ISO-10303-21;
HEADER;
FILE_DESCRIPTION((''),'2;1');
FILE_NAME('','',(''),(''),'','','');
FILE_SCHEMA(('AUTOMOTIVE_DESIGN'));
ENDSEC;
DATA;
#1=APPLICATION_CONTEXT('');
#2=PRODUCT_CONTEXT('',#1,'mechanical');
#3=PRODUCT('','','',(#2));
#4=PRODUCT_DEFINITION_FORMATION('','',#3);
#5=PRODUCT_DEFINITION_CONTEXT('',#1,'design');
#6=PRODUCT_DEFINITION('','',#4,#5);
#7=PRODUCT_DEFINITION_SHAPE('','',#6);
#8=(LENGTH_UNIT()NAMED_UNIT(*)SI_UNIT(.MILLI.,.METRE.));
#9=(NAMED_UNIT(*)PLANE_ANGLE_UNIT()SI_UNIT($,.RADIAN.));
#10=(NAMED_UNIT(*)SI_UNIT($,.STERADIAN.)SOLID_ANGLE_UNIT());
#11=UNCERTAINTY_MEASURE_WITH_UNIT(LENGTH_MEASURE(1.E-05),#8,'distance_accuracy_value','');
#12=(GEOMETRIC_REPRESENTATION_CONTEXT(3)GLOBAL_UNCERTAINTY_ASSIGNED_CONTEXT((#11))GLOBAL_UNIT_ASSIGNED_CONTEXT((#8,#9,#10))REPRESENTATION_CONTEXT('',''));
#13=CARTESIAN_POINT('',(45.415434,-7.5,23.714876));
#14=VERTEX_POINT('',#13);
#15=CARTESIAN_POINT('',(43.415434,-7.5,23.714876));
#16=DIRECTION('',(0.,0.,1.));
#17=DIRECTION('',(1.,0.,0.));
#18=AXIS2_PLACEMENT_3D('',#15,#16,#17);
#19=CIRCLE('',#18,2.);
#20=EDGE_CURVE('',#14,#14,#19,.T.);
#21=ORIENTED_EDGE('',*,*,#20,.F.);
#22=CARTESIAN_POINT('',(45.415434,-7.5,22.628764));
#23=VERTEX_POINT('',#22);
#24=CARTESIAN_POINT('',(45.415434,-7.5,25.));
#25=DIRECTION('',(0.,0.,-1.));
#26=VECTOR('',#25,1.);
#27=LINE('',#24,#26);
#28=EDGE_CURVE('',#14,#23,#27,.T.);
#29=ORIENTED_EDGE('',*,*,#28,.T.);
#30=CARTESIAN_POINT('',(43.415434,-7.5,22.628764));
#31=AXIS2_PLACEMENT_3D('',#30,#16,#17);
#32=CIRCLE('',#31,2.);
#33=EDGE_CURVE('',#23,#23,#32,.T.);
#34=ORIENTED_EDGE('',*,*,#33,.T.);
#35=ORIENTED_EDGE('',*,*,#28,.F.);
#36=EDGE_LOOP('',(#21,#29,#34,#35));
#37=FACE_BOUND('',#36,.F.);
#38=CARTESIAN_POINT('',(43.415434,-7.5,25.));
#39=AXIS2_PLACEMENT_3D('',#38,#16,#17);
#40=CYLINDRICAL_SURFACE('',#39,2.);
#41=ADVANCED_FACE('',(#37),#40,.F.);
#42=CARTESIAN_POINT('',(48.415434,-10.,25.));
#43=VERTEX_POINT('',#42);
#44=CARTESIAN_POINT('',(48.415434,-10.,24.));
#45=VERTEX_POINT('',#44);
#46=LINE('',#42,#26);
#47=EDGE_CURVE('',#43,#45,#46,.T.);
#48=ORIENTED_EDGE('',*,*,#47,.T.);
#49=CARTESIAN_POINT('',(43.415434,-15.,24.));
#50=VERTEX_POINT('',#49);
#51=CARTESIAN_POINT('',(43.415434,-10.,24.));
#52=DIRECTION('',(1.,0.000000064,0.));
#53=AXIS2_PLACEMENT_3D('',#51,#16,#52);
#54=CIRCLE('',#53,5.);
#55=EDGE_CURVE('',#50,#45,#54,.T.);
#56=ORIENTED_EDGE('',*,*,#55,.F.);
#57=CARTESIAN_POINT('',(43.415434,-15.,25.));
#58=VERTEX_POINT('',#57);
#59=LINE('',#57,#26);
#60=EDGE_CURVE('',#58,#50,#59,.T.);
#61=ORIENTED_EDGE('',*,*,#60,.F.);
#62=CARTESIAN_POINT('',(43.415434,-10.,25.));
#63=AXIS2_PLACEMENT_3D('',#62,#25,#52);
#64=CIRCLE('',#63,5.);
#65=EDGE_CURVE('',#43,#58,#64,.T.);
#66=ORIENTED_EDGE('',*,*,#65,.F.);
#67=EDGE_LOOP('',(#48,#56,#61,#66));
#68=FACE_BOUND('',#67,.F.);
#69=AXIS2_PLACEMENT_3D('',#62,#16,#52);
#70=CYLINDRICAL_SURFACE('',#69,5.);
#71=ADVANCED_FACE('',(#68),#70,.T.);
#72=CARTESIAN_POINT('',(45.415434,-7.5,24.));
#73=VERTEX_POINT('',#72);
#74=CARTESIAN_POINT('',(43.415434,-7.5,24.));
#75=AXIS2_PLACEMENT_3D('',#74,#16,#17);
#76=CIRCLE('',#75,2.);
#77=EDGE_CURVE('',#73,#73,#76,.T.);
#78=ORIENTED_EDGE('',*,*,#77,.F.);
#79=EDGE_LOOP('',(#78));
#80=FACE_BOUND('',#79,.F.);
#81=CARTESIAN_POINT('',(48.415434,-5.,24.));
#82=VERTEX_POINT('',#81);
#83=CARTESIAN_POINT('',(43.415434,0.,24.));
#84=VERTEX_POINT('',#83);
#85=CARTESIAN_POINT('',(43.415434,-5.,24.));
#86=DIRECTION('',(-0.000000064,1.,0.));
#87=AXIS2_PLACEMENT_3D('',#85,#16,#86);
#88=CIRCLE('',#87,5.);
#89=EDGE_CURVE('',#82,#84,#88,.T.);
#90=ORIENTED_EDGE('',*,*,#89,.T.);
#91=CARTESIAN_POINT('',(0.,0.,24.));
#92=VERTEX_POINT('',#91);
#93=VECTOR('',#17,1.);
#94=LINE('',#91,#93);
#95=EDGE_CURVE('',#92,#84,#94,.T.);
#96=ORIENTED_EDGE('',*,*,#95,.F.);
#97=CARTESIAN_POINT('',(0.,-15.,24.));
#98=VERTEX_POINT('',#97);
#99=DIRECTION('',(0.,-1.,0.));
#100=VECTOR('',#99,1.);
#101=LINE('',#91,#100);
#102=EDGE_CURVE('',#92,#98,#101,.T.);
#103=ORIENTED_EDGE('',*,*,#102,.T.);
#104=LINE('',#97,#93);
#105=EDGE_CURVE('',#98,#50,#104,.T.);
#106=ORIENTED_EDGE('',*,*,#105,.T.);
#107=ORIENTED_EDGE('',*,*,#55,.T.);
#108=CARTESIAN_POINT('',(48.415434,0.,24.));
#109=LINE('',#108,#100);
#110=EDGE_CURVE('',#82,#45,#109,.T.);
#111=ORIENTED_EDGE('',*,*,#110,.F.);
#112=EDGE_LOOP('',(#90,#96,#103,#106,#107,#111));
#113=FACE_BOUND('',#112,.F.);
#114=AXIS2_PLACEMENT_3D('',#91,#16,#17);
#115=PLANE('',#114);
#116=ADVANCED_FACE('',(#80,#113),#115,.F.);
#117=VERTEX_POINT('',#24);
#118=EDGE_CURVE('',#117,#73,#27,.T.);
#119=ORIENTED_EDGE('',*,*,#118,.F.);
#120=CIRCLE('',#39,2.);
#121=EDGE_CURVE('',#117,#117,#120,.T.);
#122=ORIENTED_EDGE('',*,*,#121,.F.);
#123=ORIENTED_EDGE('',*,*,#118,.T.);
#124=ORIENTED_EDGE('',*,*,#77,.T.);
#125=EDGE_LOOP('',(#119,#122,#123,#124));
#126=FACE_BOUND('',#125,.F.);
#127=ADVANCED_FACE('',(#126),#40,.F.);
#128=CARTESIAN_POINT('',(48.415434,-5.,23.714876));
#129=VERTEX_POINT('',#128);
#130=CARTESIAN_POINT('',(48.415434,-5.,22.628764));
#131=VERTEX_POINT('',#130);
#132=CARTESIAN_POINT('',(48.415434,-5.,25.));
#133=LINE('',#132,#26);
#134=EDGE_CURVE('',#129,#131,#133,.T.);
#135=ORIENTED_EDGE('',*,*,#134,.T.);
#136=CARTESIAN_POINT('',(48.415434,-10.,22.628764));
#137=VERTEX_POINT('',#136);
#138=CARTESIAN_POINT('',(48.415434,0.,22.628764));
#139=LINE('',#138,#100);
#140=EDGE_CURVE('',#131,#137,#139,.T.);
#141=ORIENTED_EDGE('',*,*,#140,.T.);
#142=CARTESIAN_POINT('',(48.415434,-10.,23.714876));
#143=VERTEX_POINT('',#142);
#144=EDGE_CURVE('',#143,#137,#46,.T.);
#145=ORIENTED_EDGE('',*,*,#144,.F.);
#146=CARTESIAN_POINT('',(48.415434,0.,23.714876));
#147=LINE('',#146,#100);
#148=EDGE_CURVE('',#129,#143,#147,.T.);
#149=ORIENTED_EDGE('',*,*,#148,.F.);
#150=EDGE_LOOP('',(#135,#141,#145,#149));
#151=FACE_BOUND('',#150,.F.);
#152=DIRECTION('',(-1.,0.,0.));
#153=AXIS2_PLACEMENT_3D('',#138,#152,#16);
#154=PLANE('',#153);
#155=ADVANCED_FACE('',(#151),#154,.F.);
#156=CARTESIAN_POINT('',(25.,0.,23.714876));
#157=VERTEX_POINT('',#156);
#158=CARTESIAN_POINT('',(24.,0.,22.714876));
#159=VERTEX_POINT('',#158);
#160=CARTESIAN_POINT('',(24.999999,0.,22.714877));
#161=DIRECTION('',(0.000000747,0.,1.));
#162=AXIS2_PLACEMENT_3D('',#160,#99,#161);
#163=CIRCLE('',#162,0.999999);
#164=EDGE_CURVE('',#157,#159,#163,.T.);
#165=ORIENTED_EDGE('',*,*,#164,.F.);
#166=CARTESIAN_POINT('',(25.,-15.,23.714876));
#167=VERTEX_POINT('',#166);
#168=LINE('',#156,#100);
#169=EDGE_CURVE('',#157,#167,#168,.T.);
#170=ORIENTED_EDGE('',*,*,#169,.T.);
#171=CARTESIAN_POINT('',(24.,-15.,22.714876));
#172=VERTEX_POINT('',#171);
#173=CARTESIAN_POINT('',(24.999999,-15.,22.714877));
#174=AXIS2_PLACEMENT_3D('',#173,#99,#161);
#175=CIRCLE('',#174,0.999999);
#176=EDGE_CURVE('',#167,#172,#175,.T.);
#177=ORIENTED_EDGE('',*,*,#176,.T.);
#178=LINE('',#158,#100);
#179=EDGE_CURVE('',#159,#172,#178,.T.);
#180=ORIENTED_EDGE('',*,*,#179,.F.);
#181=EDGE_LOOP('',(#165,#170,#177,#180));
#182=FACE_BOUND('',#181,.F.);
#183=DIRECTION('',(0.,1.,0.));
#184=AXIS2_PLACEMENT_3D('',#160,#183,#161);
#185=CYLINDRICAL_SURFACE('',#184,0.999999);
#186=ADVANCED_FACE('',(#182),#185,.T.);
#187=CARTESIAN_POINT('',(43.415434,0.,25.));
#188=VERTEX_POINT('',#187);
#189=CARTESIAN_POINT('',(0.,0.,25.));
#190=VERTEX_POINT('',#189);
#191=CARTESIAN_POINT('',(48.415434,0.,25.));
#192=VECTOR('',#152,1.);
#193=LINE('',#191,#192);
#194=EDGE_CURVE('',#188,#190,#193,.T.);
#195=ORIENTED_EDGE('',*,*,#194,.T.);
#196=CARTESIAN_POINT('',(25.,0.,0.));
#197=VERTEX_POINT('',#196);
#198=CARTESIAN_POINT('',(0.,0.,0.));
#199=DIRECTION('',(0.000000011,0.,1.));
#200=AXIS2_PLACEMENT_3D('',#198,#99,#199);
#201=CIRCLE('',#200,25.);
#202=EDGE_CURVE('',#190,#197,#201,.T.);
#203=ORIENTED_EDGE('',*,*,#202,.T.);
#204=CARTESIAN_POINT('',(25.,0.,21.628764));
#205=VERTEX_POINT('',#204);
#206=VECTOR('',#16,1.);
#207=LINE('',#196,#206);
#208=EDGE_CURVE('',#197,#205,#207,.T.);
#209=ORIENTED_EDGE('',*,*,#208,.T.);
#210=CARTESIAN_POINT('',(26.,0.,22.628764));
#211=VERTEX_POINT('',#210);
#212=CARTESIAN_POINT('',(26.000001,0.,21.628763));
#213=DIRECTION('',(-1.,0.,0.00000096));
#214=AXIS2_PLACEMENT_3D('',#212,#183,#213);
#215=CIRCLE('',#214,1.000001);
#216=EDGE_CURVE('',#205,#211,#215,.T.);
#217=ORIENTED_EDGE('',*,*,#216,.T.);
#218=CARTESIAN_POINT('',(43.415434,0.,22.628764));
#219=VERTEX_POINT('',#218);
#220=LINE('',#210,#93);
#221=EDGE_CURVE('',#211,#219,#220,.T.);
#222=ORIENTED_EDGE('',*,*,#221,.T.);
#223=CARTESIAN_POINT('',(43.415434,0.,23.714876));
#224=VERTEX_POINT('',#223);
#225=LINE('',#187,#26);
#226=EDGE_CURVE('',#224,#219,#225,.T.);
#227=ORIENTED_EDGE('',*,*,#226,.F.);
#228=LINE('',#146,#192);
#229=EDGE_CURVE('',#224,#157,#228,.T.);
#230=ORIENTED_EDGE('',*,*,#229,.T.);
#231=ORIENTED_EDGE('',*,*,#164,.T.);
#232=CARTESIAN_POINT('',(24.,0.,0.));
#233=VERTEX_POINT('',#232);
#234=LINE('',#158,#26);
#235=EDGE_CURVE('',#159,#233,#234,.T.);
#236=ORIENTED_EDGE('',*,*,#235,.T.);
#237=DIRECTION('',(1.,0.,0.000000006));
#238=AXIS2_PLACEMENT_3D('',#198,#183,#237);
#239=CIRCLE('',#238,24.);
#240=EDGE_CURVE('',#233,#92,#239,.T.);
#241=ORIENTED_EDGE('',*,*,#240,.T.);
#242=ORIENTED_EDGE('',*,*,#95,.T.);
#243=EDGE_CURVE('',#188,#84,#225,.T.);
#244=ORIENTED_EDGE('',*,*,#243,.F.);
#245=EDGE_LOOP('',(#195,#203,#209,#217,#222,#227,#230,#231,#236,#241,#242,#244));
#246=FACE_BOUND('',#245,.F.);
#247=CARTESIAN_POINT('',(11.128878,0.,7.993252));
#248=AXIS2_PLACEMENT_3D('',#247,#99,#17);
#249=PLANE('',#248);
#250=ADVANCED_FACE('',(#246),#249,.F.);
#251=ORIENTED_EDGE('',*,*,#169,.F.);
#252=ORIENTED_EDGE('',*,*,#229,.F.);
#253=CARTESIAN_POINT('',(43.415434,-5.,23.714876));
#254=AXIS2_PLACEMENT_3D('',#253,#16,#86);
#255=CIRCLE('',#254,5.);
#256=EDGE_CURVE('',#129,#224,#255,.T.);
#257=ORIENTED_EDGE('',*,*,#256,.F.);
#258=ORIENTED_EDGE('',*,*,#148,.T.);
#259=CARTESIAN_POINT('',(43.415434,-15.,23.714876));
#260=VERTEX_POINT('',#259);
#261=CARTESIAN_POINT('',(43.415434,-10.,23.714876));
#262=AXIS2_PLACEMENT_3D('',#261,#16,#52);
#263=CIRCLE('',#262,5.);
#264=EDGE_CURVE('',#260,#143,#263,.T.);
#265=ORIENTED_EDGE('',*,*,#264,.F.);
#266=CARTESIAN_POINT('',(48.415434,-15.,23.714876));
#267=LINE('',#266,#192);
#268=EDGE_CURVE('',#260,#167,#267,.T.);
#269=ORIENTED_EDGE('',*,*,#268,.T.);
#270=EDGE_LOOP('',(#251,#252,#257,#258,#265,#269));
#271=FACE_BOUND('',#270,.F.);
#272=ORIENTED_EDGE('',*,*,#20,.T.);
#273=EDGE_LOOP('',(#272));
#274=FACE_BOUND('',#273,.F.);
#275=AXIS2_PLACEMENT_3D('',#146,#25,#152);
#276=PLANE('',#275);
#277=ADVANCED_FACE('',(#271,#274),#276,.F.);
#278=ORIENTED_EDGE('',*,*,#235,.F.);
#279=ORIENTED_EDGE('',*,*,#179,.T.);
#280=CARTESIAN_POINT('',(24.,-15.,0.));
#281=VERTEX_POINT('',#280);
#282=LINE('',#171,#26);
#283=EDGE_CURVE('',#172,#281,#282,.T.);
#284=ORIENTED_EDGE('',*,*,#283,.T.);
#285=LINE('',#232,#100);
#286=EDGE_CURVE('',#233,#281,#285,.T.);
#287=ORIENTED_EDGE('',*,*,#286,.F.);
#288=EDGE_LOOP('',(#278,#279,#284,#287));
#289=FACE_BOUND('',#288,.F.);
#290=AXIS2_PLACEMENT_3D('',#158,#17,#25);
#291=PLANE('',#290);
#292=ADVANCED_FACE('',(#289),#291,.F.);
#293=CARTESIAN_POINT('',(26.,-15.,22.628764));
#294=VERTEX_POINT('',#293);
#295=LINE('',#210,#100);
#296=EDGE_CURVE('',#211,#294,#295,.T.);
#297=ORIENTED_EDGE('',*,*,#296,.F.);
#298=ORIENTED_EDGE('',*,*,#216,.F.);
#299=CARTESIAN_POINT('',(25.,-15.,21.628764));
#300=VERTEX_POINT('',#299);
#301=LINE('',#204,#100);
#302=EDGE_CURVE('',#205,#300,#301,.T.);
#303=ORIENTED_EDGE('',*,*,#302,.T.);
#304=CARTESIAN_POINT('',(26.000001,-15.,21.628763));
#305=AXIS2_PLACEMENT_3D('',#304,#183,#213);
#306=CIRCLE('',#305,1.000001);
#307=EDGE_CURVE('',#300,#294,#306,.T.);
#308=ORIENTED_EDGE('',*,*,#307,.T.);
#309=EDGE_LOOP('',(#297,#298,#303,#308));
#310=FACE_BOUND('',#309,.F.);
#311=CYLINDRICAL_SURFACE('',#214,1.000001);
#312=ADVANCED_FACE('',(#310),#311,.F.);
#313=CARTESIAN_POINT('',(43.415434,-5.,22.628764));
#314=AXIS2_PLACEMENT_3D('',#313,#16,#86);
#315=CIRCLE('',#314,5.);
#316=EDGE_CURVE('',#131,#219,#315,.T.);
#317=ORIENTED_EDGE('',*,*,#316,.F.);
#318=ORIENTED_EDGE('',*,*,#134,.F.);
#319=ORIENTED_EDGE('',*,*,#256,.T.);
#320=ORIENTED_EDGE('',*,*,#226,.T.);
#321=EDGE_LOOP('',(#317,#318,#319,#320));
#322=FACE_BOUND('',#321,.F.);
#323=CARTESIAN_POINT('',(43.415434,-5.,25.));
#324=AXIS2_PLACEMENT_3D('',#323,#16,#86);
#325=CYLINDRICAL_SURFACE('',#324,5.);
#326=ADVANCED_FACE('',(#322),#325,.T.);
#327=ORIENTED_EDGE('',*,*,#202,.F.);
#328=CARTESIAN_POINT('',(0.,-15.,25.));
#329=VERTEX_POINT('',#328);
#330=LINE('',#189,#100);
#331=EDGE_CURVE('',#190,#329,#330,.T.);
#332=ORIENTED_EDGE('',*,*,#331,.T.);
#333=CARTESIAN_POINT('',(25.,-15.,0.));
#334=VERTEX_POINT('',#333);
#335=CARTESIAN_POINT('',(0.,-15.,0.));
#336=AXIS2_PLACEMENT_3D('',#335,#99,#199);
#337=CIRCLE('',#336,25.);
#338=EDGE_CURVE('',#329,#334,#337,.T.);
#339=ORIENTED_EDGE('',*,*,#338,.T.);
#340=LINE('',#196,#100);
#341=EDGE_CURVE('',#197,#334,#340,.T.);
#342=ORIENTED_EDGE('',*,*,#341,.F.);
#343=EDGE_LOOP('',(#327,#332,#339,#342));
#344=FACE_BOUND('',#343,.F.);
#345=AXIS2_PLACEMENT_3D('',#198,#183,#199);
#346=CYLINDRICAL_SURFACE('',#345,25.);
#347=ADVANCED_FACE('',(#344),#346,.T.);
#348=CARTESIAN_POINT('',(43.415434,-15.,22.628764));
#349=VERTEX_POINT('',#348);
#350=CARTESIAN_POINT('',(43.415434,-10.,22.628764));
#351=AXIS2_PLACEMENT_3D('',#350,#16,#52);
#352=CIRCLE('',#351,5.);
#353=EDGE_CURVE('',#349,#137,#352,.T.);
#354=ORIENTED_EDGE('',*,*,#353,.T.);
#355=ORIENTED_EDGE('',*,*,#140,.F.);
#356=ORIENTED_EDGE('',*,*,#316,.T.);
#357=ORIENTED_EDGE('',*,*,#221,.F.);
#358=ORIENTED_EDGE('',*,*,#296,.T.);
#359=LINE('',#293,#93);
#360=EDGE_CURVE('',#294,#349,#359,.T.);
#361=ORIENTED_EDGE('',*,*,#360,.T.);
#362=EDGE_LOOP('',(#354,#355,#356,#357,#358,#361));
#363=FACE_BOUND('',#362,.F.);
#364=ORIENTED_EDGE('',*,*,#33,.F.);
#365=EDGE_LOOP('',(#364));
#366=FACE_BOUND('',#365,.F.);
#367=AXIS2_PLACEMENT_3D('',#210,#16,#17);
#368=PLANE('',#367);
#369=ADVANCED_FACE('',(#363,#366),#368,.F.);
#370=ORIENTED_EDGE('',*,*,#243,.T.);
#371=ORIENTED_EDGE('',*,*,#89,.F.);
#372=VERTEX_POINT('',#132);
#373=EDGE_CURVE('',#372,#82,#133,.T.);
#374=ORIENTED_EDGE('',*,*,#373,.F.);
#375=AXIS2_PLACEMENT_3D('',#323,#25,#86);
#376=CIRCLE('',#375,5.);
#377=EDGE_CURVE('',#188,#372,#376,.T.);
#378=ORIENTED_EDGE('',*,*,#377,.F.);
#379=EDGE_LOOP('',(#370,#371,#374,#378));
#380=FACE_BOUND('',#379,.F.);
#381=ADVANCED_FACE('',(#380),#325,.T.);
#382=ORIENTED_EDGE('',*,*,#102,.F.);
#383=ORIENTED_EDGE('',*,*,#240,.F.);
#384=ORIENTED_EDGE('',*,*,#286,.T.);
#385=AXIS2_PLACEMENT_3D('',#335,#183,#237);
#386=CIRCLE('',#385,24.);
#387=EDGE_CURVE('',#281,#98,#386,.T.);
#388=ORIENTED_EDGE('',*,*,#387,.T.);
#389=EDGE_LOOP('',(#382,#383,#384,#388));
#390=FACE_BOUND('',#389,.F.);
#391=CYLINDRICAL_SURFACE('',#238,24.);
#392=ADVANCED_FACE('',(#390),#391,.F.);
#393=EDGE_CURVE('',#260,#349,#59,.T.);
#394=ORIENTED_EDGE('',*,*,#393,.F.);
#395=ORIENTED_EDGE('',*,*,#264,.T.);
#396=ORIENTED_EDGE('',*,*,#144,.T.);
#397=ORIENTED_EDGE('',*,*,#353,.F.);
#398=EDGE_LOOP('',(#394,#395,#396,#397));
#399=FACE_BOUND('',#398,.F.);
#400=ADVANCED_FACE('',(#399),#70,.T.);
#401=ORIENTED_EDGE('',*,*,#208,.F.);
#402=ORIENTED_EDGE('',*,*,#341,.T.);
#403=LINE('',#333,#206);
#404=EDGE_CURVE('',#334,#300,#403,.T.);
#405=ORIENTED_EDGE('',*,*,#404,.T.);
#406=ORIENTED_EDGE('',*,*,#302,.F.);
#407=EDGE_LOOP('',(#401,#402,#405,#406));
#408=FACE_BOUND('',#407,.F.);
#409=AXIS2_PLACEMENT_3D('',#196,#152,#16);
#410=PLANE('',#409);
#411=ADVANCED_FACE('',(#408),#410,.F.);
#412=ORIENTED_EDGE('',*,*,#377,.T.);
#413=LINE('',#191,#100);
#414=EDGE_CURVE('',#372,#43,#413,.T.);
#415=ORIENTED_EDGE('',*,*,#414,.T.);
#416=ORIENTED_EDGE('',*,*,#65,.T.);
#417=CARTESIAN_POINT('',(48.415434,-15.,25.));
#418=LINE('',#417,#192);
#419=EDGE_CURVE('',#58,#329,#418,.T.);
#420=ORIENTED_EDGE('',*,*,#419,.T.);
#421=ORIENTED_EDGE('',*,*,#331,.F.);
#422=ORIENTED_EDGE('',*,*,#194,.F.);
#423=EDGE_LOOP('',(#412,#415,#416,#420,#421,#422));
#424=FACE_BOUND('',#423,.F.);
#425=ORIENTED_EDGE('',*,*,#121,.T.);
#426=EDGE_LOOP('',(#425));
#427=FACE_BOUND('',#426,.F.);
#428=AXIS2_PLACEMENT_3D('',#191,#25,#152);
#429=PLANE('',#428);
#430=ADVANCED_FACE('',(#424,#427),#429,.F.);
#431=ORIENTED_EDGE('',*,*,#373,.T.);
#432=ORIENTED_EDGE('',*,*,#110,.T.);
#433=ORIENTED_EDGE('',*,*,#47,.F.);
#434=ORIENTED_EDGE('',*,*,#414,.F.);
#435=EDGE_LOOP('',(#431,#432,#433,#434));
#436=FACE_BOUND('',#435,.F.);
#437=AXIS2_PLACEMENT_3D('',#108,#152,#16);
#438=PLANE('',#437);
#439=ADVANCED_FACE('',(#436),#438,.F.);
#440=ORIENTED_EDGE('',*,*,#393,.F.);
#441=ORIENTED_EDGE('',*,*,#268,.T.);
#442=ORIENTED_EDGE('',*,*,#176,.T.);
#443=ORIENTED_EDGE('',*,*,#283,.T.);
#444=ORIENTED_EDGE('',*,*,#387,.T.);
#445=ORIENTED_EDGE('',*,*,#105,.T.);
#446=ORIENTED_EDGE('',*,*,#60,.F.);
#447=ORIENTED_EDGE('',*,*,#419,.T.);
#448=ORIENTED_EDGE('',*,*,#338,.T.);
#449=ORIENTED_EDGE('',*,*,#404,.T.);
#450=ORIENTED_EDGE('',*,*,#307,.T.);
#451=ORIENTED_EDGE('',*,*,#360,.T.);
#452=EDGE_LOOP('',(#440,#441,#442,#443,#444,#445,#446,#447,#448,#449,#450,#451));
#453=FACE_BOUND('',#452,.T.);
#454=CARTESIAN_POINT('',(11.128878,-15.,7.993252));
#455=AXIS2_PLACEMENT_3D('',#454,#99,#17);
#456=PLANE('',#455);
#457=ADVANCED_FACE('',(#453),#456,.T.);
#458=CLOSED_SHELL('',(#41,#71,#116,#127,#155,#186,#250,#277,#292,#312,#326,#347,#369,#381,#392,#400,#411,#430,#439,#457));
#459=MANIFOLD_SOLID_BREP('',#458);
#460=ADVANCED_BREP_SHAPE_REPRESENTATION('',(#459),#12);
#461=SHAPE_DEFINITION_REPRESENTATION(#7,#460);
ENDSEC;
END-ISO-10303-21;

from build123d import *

# Parameters (mm, degrees)
F1_DEPTH = 15
F2_R     = 2
F3_DEPTH = 25


with BuildPart() as f1:
    # F0 (on Front) → F1 (new body)
    with BuildSketch(Plane.XZ):
        with BuildLine():
            Line((48.415434, 25), (0, 25))
            ThreePointArc((0, 25), (-17.67767, -17.67767), (25, 0))
            Line((25, 0), (25, 21.628764))
            ThreePointArc((25, 21.628764), (25.292893, 22.33587), (26, 22.628764))
            Line((26, 22.628764), (48.415434, 22.628764))
            Line((48.415434, 22.628764), (48.415434, 23.714876))
            Line((48.415434, 23.714876), (25, 23.714876))
            ThreePointArc((25, 23.714876), (24.292893, 23.421983), (24, 22.714876))
            Line((24, 22.714876), (24, 7))
            Line((24, 7), (24, 0))
            ThreePointArc((24, 0), (-16.970563, -16.970563), (0, 24))
            Line((0, 24), (7, 24))
            Line((7, 24), (48.415434, 24))
            Line((48.415434, 24), (48.415434, 25))
        make_face()
    extrude(amount=F1_DEPTH)

    # F2 (on face) → F3 (cut)
    with BuildSketch(Plane.XY.offset(25)):
        with BuildLine():
            Line((48.415434, 0), (43.415434, 0))
            ThreePointArc((43.415434, 0), (46.950968, -1.464466), (48.415434, -5))
            Line((48.415434, -5), (48.415434, 0))
        make_face()
        with BuildLine():
            Line((48.415434, -15), (48.415434, -10))
            ThreePointArc((48.415434, -10), (46.950968, -13.535534), (43.415434, -15))
            Line((43.415434, -15), (48.415434, -15))
        make_face()
        with Locations((43.415434, -7.5)):
            Circle(F2_R)
    extrude(amount=-F3_DEPTH, mode=Mode.SUBTRACT)


solid = f1.part
